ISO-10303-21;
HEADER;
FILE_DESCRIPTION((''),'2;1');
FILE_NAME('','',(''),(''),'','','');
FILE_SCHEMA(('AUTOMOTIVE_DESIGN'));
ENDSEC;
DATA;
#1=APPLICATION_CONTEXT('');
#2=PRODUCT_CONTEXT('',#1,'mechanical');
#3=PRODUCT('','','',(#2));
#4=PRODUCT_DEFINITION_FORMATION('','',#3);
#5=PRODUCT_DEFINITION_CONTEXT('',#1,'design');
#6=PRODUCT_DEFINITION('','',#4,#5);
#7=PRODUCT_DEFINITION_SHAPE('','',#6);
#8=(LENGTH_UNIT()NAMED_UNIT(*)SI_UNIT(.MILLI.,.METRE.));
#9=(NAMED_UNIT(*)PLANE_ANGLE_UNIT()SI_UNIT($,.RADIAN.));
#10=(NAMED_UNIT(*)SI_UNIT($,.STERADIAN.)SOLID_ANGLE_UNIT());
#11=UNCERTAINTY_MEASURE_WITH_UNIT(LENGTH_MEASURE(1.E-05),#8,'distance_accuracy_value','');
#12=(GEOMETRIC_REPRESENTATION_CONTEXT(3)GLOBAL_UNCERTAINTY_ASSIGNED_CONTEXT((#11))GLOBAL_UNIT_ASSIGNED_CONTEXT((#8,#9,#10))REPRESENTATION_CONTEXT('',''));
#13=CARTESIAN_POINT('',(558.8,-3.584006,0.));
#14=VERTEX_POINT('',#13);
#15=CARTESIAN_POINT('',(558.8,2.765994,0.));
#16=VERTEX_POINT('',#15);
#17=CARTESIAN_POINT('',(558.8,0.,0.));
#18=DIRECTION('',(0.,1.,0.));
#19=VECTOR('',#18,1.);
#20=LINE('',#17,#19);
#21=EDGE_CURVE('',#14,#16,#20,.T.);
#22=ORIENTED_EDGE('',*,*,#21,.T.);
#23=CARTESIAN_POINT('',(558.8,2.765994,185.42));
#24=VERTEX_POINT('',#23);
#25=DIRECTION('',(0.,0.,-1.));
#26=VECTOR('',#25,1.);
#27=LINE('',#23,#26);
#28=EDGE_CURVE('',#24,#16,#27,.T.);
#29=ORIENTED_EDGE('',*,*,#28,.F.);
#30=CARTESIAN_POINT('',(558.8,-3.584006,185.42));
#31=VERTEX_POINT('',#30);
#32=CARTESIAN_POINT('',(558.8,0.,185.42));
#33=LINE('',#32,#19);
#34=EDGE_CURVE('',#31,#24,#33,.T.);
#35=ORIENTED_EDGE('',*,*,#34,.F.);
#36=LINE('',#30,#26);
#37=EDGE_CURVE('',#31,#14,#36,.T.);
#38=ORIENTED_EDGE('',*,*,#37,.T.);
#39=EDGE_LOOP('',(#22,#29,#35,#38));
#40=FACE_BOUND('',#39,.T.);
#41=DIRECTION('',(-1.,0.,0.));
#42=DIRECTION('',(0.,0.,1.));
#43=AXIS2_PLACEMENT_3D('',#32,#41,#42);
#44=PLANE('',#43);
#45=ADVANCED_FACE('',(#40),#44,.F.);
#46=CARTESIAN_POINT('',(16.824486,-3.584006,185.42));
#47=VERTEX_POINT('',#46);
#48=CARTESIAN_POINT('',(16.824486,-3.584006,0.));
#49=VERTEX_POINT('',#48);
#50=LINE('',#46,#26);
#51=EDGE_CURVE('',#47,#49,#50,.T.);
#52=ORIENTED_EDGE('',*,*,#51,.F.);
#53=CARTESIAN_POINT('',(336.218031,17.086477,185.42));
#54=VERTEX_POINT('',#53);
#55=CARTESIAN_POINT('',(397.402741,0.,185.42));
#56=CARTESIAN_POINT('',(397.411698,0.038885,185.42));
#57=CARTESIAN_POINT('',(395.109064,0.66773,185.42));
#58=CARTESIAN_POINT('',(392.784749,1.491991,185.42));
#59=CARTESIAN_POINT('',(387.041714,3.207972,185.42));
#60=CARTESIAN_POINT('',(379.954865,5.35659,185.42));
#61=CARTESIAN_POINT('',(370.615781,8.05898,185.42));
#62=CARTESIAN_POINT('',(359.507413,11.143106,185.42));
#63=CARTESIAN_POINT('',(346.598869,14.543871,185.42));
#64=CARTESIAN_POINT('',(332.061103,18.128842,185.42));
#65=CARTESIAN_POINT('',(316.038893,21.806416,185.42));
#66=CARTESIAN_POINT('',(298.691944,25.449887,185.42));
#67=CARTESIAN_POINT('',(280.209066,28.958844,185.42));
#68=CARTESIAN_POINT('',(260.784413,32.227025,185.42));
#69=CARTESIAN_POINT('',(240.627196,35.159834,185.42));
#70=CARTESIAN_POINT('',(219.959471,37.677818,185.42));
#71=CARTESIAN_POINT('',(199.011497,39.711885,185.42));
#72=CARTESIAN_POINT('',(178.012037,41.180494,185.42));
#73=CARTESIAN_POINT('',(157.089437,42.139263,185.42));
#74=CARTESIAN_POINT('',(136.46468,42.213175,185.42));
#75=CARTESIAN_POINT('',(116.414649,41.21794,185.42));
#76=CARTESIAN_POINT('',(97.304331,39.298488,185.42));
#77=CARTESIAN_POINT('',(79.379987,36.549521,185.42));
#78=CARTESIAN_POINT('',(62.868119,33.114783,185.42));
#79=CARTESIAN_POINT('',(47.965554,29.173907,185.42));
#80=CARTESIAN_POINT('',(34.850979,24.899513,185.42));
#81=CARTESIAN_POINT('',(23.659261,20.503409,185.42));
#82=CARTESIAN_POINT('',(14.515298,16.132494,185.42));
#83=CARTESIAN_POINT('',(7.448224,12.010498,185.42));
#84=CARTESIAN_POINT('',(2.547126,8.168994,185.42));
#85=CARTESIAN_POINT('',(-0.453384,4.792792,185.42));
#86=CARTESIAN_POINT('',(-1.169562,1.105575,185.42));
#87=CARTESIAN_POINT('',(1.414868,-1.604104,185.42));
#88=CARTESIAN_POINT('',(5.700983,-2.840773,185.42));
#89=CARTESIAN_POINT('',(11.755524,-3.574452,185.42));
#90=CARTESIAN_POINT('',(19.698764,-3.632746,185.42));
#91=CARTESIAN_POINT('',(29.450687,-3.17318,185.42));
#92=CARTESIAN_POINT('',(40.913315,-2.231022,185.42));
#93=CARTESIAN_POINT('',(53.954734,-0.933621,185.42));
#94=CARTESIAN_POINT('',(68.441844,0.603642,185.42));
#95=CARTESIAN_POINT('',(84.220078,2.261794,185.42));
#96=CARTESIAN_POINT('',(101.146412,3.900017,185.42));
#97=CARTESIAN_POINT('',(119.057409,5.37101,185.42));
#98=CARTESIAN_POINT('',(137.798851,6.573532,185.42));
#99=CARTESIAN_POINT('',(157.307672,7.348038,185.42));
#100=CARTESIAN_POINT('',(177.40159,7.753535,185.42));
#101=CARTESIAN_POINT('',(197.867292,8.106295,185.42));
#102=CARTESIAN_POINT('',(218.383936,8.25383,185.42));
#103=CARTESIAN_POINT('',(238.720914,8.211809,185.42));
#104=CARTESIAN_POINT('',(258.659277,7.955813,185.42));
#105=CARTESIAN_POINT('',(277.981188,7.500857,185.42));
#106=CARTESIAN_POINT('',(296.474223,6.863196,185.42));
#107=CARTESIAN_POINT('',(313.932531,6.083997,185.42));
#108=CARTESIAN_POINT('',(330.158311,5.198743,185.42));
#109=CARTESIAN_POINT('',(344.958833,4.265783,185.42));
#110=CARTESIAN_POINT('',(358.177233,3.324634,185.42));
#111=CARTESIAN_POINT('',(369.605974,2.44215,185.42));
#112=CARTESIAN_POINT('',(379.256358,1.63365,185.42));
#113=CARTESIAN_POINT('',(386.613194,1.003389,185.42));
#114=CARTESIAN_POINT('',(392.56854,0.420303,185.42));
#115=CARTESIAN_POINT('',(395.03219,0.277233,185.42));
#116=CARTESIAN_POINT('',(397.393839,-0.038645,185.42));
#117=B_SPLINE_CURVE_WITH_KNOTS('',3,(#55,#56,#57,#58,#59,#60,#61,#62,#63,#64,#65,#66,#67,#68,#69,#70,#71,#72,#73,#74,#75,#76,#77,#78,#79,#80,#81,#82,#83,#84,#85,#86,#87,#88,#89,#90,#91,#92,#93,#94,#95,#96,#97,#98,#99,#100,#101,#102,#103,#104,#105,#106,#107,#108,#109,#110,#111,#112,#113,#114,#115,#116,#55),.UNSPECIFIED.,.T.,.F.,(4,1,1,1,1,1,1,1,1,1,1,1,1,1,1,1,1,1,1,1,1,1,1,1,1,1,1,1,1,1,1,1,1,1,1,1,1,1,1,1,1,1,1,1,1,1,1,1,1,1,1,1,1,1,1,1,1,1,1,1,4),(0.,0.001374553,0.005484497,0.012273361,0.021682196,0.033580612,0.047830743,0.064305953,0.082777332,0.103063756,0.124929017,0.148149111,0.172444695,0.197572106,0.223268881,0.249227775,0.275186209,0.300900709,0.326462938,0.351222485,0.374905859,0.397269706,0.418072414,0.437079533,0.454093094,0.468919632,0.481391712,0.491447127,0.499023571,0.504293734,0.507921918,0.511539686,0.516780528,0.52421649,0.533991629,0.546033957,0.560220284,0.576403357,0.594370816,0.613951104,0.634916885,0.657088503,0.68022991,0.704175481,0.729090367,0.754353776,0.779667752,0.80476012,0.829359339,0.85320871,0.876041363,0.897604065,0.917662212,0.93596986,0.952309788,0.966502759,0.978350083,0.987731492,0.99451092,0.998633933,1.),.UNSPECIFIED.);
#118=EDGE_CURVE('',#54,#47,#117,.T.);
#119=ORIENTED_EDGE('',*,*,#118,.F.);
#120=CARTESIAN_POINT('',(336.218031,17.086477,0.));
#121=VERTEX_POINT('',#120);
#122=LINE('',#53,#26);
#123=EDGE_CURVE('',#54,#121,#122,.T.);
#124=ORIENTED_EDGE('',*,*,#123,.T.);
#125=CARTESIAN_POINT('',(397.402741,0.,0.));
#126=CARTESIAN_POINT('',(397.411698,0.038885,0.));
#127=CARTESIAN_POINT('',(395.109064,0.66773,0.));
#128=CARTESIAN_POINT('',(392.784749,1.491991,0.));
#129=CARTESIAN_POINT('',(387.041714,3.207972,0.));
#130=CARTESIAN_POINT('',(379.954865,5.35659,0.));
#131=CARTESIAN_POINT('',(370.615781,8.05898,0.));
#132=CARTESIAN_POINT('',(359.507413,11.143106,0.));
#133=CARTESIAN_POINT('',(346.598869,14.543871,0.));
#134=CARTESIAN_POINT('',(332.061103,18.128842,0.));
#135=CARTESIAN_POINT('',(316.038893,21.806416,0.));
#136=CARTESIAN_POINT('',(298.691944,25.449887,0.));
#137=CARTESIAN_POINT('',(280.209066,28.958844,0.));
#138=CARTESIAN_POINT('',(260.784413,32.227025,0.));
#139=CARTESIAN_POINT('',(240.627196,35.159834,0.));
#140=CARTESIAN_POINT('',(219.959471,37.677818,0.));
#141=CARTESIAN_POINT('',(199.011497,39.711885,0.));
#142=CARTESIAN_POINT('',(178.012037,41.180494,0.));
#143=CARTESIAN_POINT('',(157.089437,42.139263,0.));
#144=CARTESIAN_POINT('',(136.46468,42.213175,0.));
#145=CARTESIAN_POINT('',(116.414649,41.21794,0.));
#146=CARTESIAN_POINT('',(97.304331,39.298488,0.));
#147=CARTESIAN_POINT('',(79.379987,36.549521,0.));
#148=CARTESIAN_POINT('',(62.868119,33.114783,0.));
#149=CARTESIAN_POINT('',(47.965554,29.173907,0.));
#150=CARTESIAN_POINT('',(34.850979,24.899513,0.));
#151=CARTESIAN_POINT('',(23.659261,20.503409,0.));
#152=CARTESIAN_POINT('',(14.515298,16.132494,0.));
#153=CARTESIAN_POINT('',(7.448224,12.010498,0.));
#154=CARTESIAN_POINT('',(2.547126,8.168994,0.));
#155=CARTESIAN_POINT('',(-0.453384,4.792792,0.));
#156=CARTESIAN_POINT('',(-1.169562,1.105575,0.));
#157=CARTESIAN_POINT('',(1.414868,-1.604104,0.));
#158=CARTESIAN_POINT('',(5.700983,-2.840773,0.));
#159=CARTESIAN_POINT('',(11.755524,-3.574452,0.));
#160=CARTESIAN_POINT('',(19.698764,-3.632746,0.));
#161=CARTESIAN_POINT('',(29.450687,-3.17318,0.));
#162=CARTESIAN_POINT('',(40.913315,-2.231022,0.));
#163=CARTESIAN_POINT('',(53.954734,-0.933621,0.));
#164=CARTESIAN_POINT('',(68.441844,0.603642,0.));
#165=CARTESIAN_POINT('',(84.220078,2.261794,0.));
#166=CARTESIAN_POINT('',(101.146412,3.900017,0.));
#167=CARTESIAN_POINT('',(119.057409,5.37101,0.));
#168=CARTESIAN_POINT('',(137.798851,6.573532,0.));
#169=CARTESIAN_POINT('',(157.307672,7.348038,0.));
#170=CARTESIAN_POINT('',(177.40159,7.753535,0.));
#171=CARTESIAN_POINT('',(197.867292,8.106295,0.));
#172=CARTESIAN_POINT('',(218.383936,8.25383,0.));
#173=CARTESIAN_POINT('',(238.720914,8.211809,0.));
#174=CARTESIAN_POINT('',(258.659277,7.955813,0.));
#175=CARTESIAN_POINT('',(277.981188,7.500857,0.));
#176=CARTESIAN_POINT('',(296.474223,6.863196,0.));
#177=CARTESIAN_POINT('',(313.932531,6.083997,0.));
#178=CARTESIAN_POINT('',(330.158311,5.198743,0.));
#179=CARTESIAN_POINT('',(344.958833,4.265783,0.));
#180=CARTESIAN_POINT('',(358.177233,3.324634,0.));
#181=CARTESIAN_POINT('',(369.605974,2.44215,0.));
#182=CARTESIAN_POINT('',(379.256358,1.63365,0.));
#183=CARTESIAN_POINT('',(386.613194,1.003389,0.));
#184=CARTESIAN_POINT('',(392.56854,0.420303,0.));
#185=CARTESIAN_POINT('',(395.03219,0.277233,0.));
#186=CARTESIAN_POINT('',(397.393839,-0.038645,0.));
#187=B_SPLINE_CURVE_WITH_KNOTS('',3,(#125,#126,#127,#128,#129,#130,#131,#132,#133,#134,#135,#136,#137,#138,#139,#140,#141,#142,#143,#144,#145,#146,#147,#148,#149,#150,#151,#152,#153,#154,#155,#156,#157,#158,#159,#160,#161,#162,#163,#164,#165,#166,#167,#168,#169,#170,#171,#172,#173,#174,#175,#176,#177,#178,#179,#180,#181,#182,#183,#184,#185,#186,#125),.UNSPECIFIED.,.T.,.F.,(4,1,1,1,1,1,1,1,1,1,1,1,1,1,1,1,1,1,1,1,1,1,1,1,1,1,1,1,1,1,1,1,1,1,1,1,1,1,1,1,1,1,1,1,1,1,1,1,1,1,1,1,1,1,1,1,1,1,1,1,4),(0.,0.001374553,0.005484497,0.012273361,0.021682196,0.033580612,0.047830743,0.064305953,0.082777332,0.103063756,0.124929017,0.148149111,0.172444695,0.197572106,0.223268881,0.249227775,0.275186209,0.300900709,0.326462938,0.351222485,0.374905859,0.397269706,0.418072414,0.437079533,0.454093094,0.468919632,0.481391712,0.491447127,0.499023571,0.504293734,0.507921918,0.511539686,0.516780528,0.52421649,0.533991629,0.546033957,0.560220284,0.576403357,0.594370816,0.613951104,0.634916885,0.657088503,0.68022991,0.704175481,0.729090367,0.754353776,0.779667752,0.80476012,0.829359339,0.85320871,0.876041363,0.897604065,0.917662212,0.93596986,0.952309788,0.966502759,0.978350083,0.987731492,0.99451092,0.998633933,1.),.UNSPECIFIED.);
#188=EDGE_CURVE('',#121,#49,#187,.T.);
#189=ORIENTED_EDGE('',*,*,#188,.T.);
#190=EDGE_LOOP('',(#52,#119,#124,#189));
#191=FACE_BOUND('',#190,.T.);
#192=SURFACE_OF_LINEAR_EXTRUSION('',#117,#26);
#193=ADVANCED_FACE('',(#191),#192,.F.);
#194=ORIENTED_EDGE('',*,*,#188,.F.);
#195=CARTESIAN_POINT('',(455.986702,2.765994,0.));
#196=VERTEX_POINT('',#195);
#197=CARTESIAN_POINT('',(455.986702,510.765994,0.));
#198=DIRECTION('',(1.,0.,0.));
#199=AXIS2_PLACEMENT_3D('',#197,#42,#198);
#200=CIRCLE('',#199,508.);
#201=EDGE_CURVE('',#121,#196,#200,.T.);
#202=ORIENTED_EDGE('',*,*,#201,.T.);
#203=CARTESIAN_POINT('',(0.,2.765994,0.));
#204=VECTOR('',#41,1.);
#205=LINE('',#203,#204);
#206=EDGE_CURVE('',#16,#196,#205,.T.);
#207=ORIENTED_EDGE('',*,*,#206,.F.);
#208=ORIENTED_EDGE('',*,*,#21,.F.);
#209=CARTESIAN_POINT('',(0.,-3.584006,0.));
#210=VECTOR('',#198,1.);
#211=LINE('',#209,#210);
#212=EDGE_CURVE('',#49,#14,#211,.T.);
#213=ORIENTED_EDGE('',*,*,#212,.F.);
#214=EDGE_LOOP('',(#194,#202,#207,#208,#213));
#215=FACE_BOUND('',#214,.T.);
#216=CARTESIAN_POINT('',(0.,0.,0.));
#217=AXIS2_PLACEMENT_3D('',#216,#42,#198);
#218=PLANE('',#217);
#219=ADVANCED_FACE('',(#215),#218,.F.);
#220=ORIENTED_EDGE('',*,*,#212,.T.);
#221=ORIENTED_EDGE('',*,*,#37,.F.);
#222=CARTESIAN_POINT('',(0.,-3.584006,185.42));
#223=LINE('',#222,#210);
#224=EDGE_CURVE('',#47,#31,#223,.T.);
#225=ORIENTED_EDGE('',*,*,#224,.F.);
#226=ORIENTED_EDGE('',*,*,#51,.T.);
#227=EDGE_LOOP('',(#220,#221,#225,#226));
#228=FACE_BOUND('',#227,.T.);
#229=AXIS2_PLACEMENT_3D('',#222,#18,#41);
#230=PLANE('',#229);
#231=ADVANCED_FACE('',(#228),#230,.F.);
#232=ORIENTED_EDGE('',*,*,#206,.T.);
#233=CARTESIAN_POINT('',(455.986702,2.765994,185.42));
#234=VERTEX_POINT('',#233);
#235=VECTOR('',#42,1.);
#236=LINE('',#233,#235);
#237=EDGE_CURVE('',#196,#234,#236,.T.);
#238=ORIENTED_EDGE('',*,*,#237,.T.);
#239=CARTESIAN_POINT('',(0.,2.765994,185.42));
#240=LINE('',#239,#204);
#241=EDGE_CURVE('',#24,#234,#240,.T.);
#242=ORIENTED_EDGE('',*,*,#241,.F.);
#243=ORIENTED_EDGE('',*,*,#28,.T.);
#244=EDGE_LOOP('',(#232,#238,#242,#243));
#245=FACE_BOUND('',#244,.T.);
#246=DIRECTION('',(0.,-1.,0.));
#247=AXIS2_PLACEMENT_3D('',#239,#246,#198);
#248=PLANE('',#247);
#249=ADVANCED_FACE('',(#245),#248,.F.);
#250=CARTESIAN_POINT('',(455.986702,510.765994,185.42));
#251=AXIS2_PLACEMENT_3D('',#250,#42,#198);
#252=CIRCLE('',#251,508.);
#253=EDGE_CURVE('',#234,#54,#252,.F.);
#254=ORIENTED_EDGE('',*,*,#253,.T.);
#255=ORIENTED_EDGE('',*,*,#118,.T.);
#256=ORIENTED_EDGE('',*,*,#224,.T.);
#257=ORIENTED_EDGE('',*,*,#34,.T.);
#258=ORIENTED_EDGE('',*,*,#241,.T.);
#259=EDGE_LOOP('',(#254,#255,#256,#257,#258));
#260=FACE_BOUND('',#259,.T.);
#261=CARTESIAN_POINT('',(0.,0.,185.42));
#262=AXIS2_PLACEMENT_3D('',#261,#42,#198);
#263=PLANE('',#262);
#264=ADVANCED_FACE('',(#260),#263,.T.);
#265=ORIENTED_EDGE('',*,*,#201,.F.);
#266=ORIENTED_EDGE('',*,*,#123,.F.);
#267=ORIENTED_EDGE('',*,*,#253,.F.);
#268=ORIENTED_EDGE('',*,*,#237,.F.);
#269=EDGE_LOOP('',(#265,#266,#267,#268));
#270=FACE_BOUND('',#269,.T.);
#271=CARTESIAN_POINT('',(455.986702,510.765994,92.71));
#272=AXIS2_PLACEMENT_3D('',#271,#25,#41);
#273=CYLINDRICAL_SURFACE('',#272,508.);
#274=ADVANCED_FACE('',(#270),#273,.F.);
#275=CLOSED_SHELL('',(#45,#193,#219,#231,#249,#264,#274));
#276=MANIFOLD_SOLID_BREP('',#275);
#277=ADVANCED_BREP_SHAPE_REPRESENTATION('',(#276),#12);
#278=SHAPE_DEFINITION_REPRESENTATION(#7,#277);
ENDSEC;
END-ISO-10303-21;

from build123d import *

# Parameters (mm, degrees)
BOSS_EXTRUDE1_DEPTH = 185.42
FILLET1_R           = 508


with BuildPart() as part:
    # Sketch1 → Boss-Extrude1 (new body)
    with BuildSketch(Plane.XY):
        with BuildLine():
            add(Edge.make_bspline(
                [(16.824486281, -3.584005936), (17.576425683, -3.584005936), (21.595703212, -3.543351385), (29.450687295, -3.173180462), (40.913314732, -2.231022297), (53.954734382, -0.933620653), (68.441844322, 0.603641829), (84.220077594, 2.261793956), (101.146412331, 3.900017255), (119.057408579, 5.371009548), (137.798850975, 6.573531856), (157.307672246, 7.348038209), (177.40159034, 7.753534803), (197.867291711, 8.106295079), (218.383935911, 8.253829905), (238.720913993, 8.211809333), (258.659276833, 7.955812655), (277.981187946, 7.500857289), (296.474222895, 6.863195832), (313.932531106, 6.083996751), (330.158311416, 5.198742586), (344.958833395, 4.265782532), (358.177232856, 3.324634453), (369.605973843, 2.442150407), (379.256357552, 1.633649638), (386.613193972, 1.003388636), (392.568540151, 0.420302648), (395.032189851, 0.27723258), (397.393838715, -0.038645243), (397.402740734, 0)],
                knots=[0.53121993, 0.53121993, 0.53121993, 0.53121993, 0.533991629, 0.546033957, 0.560220284, 0.576403357, 0.594370816, 0.613951104, 0.634916885, 0.657088503, 0.68022991, 0.704175481, 0.729090367, 0.754353776, 0.779667752, 0.80476012, 0.829359339, 0.85320871, 0.876041363, 0.897604065, 0.917662212, 0.93596986, 0.952309788, 0.966502759, 0.978350083, 0.987731492, 0.99451092, 0.998633933, 1, 1, 1, 1], degree=3))
            Line((16.824486281, -3.584005936), (558.8, -3.584005936))
            Line((558.8, -3.584005936), (558.8, 2.765994064))
            Line((558.8, 2.765994064), (388.527876564, 2.765994064))
            add(Edge.make_bspline(
                [(397.402740734, 0), (397.411698055, 0.03888532), (395.109063505, 0.667730493), (392.937979901, 1.437651493), (390.154580013, 2.277233064), (388.527876564, 2.765994064)],
                knots=[0, 0, 0, 0, 0.001374553, 0.005484497, 0.011464236, 0.011464236, 0.011464236, 0.011464236], degree=3))
        make_face()
        with BuildLine():
            add(Edge.make_bspline(
                [(397.402740734, 0), (397.411698055, 0.03888532), (395.109063505, 0.667730493), (392.784748718, 1.491991135), (387.04171407, 3.207972013), (379.954865, 5.356589699), (370.615780699, 8.058979559), (359.507412748, 11.143106331), (346.598869358, 14.543871375), (332.06110309, 18.128841799), (316.03889288, 21.806415505), (298.691944358, 25.449886624), (280.209065946, 28.958844329), (260.784413322, 32.227025229), (240.627196049, 35.159834098), (219.959471219, 37.677818053), (199.011497338, 39.711885338), (178.012037109, 41.180494444), (157.089436588, 42.139263372), (136.464680267, 42.213174939), (116.414649467, 41.217940478), (97.304330976, 39.298487784), (79.379986619, 36.549521344), (62.868119065, 33.114783487), (47.965554294, 29.173907116), (34.85097922, 24.899512861), (23.659260509, 20.503409457), (14.515298076, 16.132494214), (7.448223951, 12.010497642), (2.547126277, 8.168994228), (-0.453384309, 4.792791742), (-1.169561594, 1.105575296), (1.414868301, -1.604103887), (5.700982636, -2.840772697), (11.755524499, -3.574452069), (19.698764161, -3.632745796), (29.450687295, -3.173180462), (40.913314732, -2.231022297), (53.954734382, -0.933620653), (68.441844322, 0.603641829), (84.220077594, 2.261793956), (101.146412331, 3.900017255), (119.057408579, 5.371009548), (137.798850975, 6.573531856), (157.307672246, 7.348038209), (177.40159034, 7.753534803), (197.867291711, 8.106295079), (218.383935911, 8.253829905), (238.720913993, 8.211809333), (258.659276833, 7.955812655), (277.981187946, 7.500857289), (296.474222895, 6.863195832), (313.932531106, 6.083996751), (330.158311416, 5.198742586), (344.958833395, 4.265782532), (358.177232856, 3.324634453), (369.605973843, 2.442150407), (379.256357552, 1.633649638), (386.613193972, 1.003388636), (392.568540151, 0.420302648), (395.032189851, 0.27723258), (397.393838715, -0.038645243), (397.402740734, 0)],
                knots=[0, 0, 0, 0, 0.001374553, 0.005484497, 0.012273361, 0.021682196, 0.033580612, 0.047830743, 0.064305953, 0.082777332, 0.103063756, 0.124929017, 0.148149111, 0.172444695, 0.197572106, 0.223268881, 0.249227775, 0.275186209, 0.300900709, 0.326462938, 0.351222485, 0.374905859, 0.397269706, 0.418072414, 0.437079533, 0.454093094, 0.468919632, 0.481391712, 0.491447127, 0.499023571, 0.504293734, 0.507921918, 0.511539686, 0.516780528, 0.52421649, 0.533991629, 0.546033957, 0.560220284, 0.576403357, 0.594370816, 0.613951104, 0.634916885, 0.657088503, 0.68022991, 0.704175481, 0.729090367, 0.754353776, 0.779667752, 0.80476012, 0.829359339, 0.85320871, 0.876041363, 0.897604065, 0.917662212, 0.93596986, 0.952309788, 0.966502759, 0.978350083, 0.987731492, 0.99451092, 0.998633933, 1, 1, 1, 1], degree=3))
        make_face()
    extrude(amount=BOSS_EXTRUDE1_DEPTH)

    # Fillet1
    fillet1_edges = [part.edges().sort_by_distance(p)[0] for p in [
        (388.527876564, 2.765994064, 92.71),
    ]]
    fillet(fillet1_edges, radius=FILLET1_R)


solid = part.part
